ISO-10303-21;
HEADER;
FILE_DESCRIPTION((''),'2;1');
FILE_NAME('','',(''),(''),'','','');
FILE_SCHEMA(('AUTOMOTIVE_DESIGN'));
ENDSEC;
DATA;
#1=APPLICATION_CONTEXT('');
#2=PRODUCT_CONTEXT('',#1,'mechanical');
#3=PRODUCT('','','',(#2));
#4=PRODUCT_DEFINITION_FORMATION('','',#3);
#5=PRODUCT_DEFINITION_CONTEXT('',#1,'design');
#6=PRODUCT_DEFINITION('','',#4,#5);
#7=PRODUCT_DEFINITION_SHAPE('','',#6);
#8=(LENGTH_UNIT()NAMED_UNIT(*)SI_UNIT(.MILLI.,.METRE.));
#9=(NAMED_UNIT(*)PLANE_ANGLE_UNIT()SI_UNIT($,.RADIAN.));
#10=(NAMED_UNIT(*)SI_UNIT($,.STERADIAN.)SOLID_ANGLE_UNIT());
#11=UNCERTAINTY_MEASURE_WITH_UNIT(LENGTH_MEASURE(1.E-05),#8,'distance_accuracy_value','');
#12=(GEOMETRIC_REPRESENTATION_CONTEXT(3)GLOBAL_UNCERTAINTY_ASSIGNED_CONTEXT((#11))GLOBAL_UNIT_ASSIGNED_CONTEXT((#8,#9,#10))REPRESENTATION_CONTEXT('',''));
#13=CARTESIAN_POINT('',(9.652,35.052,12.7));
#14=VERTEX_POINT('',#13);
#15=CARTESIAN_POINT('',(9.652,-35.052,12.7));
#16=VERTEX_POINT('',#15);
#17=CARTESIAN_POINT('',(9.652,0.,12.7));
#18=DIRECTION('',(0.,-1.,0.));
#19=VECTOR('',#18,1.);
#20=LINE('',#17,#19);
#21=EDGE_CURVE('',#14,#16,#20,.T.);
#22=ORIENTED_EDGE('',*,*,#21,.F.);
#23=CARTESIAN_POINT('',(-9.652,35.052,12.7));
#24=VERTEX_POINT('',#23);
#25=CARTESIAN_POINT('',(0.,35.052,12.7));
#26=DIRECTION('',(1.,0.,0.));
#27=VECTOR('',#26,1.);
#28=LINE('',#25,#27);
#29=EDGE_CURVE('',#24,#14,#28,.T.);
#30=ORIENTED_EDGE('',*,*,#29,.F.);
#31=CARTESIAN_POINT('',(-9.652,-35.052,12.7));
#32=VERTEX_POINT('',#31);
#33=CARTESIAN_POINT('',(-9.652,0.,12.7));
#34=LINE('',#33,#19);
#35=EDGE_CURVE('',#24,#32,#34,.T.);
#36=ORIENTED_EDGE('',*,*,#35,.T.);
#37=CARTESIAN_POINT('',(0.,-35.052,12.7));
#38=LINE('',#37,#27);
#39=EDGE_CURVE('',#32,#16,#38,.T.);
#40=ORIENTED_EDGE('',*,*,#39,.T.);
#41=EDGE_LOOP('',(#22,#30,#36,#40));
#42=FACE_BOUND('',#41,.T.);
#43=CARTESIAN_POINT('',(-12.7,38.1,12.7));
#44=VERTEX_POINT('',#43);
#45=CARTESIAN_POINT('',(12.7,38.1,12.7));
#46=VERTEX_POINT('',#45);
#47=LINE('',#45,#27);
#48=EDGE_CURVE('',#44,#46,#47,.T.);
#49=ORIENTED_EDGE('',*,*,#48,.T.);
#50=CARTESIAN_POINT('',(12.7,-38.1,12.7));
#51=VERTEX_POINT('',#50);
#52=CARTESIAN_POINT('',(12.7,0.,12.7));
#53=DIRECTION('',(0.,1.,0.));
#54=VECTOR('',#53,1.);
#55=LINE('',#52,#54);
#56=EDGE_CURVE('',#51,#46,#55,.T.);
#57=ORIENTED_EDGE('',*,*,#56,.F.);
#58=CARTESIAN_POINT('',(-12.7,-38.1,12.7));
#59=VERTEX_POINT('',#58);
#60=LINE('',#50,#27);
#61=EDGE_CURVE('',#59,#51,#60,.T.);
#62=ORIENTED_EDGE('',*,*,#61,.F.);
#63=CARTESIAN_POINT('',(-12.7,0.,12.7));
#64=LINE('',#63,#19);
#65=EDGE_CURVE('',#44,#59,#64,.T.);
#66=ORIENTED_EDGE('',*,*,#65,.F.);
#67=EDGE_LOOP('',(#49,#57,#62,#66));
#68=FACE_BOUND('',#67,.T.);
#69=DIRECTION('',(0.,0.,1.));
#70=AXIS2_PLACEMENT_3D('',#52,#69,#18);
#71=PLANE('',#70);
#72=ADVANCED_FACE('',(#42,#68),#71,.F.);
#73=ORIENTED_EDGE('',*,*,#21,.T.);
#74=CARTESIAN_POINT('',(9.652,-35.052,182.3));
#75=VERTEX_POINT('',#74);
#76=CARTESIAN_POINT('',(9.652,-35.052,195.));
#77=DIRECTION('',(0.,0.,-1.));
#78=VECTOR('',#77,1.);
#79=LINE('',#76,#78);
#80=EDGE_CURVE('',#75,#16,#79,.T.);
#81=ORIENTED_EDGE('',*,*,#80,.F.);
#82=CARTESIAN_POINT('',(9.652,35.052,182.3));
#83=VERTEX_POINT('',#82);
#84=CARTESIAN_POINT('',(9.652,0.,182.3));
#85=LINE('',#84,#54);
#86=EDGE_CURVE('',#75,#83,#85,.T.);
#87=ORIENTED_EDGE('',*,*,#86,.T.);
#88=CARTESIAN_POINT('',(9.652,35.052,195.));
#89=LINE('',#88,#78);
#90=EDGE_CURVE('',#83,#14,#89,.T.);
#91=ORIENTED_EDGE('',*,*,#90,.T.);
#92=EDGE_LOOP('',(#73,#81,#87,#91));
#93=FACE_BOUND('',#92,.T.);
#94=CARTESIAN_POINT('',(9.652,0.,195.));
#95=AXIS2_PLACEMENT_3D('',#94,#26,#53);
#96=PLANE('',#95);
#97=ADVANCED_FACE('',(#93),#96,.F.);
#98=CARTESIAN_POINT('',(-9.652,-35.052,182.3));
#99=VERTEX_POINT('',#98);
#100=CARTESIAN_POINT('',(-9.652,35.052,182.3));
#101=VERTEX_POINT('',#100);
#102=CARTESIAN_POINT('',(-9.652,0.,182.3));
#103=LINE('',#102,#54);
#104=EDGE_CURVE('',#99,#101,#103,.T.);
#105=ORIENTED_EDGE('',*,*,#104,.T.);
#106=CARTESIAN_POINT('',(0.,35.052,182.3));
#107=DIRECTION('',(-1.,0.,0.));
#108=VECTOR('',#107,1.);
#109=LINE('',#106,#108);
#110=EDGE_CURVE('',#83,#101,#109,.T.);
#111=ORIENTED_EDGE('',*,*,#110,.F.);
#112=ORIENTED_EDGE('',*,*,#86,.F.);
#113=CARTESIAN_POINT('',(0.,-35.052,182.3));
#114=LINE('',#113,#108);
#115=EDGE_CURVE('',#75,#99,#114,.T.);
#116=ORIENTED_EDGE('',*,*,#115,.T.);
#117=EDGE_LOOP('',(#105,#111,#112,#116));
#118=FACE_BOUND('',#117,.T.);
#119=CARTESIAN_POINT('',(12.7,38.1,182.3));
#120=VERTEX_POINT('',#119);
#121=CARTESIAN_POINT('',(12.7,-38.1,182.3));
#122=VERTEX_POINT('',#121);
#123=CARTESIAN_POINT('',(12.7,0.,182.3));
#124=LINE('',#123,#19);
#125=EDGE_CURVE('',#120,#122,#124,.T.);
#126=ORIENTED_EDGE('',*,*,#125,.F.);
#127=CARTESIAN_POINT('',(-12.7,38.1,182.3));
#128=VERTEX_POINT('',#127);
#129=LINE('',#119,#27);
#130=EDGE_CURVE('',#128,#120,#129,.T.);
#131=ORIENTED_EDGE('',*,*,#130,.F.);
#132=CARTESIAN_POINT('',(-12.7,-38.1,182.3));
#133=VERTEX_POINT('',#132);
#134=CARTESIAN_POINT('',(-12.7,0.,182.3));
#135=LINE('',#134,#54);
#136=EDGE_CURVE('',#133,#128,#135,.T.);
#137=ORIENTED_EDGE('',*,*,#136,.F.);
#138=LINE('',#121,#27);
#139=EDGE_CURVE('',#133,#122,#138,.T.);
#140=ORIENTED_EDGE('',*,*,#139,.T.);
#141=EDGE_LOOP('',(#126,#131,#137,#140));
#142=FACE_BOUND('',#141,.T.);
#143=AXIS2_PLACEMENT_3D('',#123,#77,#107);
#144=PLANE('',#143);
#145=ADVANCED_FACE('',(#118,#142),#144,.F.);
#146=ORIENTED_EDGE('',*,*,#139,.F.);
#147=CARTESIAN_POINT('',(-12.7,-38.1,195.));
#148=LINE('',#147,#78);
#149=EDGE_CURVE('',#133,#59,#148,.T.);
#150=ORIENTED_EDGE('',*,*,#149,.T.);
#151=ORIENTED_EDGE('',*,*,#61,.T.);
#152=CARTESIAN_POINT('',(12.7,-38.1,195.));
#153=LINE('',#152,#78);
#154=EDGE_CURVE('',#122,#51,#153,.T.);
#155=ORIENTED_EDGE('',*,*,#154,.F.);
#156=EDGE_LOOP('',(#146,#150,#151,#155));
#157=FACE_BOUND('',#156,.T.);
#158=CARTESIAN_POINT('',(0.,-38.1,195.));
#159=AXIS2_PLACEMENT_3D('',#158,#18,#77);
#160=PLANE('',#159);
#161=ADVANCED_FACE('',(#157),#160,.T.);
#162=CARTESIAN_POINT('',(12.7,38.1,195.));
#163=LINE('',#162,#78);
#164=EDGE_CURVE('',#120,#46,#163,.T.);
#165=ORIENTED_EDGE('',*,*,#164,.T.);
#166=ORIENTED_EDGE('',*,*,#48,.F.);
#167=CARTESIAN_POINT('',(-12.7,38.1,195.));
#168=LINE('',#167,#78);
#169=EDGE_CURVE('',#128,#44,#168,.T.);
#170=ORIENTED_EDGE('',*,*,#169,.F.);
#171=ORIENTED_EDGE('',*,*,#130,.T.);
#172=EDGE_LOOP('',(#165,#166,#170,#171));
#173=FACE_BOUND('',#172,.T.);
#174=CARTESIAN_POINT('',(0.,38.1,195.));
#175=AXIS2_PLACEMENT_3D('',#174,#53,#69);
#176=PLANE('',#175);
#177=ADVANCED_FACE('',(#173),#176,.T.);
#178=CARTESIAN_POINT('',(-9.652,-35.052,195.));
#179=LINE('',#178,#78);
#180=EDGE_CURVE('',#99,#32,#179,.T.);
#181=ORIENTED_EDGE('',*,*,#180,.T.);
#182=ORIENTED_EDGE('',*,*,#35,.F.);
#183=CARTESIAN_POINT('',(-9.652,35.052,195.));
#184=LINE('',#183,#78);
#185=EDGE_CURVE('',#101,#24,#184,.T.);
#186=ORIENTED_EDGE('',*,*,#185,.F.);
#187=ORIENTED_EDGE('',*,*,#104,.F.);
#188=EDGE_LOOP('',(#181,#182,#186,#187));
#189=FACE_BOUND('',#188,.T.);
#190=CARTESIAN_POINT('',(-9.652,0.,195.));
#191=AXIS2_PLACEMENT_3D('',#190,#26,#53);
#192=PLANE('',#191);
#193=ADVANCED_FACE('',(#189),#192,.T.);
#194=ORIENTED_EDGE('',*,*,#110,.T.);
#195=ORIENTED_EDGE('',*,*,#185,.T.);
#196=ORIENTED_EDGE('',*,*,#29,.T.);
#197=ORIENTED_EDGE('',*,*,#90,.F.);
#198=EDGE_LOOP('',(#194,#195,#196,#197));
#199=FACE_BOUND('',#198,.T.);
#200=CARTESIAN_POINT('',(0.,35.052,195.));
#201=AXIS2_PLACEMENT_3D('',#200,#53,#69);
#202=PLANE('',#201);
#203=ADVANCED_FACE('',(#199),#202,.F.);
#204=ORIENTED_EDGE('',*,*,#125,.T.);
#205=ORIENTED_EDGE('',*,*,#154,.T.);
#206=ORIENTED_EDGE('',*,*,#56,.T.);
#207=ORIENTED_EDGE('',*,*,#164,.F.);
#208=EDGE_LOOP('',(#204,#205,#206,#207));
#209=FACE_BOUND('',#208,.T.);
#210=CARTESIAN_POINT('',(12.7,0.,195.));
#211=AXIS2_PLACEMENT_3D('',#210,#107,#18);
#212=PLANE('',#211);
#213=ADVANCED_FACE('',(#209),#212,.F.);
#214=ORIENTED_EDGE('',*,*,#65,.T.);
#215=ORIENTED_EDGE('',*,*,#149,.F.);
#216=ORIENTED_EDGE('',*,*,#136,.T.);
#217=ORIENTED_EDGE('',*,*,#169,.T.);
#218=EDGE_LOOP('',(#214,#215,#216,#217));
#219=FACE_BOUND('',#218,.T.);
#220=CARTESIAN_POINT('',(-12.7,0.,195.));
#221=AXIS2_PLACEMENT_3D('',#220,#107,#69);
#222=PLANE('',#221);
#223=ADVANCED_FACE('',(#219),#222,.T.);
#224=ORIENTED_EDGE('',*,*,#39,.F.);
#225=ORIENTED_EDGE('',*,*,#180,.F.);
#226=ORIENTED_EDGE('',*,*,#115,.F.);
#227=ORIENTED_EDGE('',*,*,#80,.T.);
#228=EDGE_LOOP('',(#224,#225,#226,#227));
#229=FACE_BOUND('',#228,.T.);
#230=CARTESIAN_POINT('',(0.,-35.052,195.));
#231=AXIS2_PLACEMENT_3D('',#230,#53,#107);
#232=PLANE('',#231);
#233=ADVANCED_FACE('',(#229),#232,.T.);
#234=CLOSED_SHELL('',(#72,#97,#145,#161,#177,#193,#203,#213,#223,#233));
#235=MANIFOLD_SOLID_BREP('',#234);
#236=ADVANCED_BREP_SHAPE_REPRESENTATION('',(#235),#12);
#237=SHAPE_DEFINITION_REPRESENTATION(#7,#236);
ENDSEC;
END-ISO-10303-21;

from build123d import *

# Parameters (mm, degrees)
SKETCH2_W               = 9.652
SKETCH2_H               = 3.048
SKETCH2_W_2             = 3.048
SKETCH2_H_2             = 35.052
BOSS_EXTRUDE1_DEPTH     = 195
CUT_EXTRUDE1_DEPTH      = 323.7
CUT_EXTRUDE1_DEPTH_BACK = 1


with BuildPart() as part:
    # Sketch2 → Boss-Extrude1 (new body)
    with BuildSketch(Plane.XY):
        Polygon((-12.7, 0), (-9.652, 0), (-9.652, 35.052), (-9.652, 38.1), (-12.7, 38.1), align=None)
        with Locations((-4.826, 36.576)):
            Rectangle(SKETCH2_W, SKETCH2_H)
        Polygon((0, 38.1), (0, 35.052), (9.652, 35.052), (9.652, 0), (12.7, 0), (12.7, 38.1), align=None)
        with Locations((11.176, -17.526)):
            Rectangle(SKETCH2_W_2, SKETCH2_H_2)
        Polygon((-9.652, -35.052), (-9.652, 0), (-12.7, 0), (-12.7, -38.1), (0, -38.1), (0, -35.052), align=None)
        Polygon((9.652, -35.052), (0, -35.052), (0, -38.1), (12.7, -38.1), (12.7, -35.052), align=None)
    extrude(amount=BOSS_EXTRUDE1_DEPTH)

    # Sketch3 → Cut-Extrude1 (cut, two sides)
    with BuildSketch(Plane(origin=(310, 0, 195), x_dir=(0, 0, 1), z_dir=(-1, 0, 0))) as cut_extrude1_sk:
        Polygon((-12.7, -38.1), (-12.7, 38.1), (12.7, 38.1), align=None)
        Polygon((12.7, -38.1), (-12.7, -38.1), (12.7, 38.1), align=None)
        Polygon((-182.3, 38.1), (-207.7, 38.1), (-207.7, -38.1), align=None)
        Polygon((-182.3, -38.1), (-207.7, -38.1), (-182.3, 38.1), align=None)
    extrude(amount=CUT_EXTRUDE1_DEPTH, mode=Mode.SUBTRACT)
    extrude(cut_extrude1_sk.sketch, amount=-CUT_EXTRUDE1_DEPTH_BACK, mode=Mode.SUBTRACT)


solid = part.part
